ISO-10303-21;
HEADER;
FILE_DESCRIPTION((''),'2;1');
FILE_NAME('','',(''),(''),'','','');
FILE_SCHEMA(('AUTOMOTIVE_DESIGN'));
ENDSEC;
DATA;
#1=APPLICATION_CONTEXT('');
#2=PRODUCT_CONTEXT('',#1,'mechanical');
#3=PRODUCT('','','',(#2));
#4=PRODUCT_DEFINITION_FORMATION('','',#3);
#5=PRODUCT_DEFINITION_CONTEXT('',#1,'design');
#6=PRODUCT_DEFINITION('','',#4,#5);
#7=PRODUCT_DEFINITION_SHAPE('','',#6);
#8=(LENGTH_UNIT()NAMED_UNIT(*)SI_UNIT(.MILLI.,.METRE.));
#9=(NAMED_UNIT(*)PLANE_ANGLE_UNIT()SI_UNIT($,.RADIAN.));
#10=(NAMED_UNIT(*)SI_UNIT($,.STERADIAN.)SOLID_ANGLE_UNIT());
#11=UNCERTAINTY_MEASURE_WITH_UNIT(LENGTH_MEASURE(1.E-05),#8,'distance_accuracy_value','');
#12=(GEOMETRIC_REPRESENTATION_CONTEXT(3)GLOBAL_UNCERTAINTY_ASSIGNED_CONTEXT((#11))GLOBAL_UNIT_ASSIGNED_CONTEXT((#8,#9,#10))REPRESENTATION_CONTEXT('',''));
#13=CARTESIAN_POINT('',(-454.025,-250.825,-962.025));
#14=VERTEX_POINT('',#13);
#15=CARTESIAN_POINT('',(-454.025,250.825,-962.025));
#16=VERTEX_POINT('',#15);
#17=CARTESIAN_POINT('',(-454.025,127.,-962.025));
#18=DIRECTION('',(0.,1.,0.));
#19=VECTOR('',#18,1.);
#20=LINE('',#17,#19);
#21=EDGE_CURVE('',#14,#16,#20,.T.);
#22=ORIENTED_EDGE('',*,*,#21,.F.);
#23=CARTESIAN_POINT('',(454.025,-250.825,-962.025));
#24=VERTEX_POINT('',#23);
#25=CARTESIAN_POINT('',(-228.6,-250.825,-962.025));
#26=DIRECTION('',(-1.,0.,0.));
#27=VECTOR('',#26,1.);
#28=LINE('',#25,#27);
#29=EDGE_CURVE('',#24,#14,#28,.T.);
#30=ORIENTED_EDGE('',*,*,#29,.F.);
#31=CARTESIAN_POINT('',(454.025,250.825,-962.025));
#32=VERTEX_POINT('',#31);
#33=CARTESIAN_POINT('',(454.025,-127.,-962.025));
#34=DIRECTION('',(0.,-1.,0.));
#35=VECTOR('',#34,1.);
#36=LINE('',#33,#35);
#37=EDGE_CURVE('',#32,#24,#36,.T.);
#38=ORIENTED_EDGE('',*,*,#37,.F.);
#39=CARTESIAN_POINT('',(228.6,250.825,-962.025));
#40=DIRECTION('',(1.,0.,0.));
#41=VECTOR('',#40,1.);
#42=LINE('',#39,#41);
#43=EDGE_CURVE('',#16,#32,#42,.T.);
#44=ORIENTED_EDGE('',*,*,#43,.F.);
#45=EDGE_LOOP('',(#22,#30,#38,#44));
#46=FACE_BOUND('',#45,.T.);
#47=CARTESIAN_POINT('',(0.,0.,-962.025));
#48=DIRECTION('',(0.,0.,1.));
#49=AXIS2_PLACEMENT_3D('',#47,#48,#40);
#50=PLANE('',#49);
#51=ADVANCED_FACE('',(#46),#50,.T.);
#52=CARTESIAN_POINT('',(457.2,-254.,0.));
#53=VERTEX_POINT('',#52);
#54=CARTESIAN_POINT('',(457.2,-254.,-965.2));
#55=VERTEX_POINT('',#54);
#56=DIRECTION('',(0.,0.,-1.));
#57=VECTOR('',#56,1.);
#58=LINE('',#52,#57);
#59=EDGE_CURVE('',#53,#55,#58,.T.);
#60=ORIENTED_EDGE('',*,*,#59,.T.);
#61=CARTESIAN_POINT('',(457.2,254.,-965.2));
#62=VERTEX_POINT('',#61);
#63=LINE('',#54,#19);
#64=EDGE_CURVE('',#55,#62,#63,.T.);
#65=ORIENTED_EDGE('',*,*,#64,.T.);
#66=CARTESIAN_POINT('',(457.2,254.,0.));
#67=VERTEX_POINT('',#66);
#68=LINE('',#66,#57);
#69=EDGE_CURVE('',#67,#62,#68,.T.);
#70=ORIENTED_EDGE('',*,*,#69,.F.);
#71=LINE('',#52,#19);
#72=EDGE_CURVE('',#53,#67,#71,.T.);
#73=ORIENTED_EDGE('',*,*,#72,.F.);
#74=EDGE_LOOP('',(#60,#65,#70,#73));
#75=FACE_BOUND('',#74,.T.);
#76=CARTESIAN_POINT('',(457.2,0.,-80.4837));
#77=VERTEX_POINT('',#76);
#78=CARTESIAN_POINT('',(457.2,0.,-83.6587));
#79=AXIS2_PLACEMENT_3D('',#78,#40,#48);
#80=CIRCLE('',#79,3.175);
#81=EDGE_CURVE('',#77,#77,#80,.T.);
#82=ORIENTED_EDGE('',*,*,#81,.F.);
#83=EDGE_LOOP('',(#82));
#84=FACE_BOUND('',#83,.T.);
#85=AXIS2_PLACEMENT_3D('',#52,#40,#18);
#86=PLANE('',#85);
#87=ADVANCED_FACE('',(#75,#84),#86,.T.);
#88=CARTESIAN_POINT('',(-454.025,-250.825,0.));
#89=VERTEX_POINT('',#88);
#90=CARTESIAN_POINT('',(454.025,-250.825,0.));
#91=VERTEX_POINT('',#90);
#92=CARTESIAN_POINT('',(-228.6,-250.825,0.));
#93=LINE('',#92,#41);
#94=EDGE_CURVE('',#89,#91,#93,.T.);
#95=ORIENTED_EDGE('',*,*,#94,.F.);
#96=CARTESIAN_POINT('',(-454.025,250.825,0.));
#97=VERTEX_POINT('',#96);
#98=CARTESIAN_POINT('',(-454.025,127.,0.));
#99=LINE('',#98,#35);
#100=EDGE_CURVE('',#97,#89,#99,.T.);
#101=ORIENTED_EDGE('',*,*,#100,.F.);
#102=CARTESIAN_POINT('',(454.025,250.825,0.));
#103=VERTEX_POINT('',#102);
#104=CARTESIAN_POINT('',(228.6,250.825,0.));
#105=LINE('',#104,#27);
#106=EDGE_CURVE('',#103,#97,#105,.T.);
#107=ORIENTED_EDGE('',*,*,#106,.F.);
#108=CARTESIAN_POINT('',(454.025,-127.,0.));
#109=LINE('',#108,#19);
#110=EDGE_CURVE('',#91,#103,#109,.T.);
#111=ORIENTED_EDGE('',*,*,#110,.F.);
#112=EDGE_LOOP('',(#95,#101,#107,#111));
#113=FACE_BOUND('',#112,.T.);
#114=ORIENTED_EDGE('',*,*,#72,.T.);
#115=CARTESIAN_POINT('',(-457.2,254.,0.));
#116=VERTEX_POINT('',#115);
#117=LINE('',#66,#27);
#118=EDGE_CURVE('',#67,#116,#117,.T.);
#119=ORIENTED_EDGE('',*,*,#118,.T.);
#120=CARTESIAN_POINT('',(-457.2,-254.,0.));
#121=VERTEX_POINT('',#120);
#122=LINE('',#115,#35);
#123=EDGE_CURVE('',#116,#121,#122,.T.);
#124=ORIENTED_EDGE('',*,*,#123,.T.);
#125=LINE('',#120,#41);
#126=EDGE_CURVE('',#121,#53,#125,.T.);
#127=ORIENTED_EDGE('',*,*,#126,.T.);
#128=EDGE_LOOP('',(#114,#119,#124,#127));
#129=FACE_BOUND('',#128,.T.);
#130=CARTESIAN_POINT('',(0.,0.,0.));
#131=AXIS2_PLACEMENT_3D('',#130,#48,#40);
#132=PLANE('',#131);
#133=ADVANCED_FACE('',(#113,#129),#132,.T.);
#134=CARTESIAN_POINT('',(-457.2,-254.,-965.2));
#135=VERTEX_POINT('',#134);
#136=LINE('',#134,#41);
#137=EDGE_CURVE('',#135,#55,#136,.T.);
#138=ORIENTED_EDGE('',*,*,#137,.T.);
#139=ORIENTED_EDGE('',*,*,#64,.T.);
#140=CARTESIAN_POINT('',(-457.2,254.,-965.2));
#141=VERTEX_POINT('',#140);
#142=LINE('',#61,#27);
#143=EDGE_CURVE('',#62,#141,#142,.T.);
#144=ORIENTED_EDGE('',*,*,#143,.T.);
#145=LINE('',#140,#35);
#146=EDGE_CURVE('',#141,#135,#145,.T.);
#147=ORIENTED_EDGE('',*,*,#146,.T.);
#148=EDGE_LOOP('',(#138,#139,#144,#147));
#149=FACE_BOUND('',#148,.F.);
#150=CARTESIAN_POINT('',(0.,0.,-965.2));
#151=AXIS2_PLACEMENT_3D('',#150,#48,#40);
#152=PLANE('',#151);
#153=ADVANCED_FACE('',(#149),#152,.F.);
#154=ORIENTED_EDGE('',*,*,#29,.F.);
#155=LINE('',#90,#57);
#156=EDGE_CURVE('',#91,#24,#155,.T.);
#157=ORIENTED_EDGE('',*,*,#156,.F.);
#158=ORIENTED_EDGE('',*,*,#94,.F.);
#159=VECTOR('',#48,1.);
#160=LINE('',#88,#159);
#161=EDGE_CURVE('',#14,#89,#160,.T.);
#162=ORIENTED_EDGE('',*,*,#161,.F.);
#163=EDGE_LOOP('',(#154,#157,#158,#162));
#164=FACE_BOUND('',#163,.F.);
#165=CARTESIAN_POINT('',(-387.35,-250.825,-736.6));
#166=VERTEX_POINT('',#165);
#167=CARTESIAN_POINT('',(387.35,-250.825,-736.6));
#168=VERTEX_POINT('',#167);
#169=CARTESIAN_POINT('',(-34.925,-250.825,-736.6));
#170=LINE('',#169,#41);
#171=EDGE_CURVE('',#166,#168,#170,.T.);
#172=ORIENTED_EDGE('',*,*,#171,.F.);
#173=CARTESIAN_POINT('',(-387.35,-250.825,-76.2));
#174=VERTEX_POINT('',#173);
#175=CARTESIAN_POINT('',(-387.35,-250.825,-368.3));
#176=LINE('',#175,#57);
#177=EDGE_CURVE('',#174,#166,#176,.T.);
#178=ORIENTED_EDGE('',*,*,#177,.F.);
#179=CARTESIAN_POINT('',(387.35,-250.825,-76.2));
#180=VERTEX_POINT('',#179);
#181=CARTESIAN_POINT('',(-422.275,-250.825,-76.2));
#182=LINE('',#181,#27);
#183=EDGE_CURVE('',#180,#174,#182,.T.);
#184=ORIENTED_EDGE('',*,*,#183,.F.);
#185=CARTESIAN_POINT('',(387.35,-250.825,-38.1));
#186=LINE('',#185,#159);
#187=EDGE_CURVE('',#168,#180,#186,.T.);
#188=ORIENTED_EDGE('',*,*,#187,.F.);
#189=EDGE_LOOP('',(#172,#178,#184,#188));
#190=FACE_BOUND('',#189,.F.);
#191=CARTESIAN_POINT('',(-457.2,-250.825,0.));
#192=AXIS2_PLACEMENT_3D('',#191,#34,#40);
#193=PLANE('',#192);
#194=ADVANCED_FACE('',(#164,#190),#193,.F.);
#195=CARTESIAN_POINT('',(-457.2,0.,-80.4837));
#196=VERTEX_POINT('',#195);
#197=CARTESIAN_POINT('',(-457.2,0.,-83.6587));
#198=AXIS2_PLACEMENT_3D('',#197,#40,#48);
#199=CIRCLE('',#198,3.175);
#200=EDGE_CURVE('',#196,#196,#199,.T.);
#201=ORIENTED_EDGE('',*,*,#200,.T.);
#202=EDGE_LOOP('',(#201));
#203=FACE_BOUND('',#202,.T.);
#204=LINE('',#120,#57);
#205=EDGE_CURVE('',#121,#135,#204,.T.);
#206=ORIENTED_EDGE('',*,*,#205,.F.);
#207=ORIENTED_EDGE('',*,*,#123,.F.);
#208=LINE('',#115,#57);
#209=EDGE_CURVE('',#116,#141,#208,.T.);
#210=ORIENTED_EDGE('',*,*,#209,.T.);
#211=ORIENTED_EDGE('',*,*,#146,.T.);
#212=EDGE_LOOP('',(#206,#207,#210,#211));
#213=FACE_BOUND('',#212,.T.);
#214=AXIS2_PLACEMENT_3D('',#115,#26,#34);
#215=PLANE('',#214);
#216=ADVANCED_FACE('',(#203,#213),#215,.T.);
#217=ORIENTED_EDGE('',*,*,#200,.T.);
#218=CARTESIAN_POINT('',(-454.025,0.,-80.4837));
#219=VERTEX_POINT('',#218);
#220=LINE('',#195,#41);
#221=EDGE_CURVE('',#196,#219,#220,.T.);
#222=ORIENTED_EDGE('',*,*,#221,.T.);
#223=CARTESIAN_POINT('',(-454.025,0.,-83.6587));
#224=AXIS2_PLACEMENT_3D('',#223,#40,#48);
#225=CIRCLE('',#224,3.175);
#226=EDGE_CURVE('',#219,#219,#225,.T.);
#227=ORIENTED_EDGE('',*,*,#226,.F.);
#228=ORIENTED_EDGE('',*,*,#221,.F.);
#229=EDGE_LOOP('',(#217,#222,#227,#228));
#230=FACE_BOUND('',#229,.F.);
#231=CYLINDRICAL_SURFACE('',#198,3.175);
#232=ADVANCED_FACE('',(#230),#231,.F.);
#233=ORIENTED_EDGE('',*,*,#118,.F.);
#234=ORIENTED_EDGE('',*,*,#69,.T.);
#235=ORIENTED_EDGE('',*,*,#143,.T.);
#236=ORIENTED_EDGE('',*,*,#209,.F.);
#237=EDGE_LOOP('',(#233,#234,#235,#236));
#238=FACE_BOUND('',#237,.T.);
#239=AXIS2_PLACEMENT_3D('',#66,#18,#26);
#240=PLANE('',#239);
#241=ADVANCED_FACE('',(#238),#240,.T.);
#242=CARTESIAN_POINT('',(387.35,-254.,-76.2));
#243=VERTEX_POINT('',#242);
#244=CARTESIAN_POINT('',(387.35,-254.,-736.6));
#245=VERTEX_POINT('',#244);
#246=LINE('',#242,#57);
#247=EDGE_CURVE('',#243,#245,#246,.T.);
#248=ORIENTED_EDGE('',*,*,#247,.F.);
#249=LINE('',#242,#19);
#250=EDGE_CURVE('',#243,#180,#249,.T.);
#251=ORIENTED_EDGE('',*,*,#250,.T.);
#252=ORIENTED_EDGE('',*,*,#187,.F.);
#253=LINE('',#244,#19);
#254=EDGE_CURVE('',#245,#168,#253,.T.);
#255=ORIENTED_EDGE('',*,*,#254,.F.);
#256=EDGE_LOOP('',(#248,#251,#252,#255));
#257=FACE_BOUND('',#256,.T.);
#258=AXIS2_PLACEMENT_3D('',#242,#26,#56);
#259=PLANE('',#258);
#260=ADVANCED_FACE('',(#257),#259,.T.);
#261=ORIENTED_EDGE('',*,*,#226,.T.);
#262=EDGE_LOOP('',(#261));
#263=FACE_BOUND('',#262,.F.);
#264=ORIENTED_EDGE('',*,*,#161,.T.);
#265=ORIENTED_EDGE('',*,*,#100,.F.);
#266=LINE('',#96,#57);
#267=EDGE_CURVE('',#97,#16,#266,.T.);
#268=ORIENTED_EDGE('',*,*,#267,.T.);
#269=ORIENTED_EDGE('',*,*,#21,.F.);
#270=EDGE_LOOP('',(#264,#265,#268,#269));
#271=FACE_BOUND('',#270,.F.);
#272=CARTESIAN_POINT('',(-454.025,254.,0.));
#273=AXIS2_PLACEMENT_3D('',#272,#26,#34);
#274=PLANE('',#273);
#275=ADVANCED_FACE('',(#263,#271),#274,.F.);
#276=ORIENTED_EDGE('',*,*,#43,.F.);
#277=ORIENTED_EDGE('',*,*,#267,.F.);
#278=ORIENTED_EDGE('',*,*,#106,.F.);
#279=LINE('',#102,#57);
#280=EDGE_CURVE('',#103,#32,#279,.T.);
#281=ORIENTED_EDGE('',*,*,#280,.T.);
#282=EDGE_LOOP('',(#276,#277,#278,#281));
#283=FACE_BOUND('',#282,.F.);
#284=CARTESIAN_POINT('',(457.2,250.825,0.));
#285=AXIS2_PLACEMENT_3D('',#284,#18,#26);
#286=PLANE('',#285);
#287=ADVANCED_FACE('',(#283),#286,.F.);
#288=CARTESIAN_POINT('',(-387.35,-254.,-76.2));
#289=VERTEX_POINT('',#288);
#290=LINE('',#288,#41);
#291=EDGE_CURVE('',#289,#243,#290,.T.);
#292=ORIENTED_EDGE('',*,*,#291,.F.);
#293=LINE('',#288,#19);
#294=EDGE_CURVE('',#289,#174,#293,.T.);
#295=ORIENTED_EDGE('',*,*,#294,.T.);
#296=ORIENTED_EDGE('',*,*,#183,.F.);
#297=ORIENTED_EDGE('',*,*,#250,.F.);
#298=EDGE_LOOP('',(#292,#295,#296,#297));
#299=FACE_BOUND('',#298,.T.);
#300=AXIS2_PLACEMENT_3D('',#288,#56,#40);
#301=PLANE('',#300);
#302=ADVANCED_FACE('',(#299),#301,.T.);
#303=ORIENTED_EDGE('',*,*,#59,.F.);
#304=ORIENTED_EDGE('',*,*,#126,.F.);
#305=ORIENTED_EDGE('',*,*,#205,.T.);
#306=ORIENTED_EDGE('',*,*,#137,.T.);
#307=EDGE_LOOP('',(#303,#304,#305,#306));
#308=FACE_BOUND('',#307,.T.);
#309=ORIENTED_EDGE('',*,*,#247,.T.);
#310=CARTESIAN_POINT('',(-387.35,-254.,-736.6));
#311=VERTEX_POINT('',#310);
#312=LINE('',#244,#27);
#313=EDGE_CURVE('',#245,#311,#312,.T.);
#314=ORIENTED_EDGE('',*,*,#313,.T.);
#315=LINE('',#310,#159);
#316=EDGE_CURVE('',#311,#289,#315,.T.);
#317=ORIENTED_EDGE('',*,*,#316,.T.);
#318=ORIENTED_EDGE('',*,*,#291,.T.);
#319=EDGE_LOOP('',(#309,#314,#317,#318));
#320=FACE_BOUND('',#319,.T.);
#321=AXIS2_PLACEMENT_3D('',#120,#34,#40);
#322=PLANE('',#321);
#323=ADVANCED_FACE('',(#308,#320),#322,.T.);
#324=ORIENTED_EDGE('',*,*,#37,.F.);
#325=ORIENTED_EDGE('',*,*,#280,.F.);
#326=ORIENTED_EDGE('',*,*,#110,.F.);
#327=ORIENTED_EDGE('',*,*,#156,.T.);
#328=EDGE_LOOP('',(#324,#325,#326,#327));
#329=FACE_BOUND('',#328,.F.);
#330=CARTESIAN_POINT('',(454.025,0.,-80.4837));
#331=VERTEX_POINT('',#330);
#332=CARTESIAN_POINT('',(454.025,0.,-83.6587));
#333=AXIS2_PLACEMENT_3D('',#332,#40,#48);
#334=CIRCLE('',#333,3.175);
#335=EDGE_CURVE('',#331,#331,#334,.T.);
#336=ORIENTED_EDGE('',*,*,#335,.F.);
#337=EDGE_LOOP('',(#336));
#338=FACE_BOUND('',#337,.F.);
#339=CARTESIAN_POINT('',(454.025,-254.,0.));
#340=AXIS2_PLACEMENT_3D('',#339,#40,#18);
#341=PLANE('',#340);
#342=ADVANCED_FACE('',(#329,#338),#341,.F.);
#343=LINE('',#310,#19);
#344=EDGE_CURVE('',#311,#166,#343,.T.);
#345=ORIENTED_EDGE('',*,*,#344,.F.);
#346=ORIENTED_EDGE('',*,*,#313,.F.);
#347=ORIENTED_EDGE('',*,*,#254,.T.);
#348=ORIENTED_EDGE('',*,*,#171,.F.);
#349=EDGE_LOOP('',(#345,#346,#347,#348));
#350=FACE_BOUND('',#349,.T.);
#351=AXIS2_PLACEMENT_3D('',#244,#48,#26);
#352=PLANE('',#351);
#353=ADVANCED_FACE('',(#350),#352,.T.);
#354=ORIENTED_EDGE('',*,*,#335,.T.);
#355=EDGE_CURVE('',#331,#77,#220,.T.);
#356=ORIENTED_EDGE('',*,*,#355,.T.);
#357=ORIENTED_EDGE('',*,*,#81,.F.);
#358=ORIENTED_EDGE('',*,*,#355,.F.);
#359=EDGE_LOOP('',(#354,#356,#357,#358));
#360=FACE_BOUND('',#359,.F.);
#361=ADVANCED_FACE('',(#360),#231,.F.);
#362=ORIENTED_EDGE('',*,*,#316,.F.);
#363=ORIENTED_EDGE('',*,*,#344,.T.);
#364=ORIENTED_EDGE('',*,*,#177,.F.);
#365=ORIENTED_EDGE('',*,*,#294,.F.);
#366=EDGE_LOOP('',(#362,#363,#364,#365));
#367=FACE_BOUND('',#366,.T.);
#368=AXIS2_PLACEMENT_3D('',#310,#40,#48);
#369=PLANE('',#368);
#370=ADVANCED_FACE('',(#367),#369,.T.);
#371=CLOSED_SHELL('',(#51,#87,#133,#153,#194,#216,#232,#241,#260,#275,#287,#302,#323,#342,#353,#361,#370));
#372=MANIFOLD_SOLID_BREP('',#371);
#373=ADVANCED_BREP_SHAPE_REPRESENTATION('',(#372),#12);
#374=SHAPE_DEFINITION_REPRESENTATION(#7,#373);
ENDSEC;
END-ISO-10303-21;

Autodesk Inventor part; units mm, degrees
ref_plane "YZ Plane" through (0, 0, 0) normal (1, 0, 0) x (0, 1, 0)
ref_plane "XZ Plane" through (0, 0, 0) normal (0, 1, 0) x (-1, 0, 0)
ref_plane "XY Plane" through (0, 0, 0) normal (0, 0, 1) x (1, 0, 0)
sketch "Sketch1" plane through (0, 0, 0) normal (0, 0, 1) x (1, 0, 0)
  line L0 (-457.2, -254) -> (457.2, -254)
  line L1 (457.2, -254) -> (457.2, 254)
  line L2 (457.2, 254) -> (-457.2, 254)
  line L3 (-457.2, 254) -> (-457.2, -254)
  line L4 (-457.2, -254) -> (457.2, 254) construction
  line L5 (457.2, -254) -> (-457.2, 254) construction
  point P0 (0, 0)
  dimension "d0" = 914.4
  dimension "d1" = 508
extrude "Extrusion1" add sketch "Sketch1" against normal blind 965.2
shell "Shell1" thickness 3.175 removed faces 1 at (-152.4, 84.6667, 0)
sketch "Sketch2" plane through (-457.2, -254, 0) normal (0, -1, 0) x (1, 0, 0)
  line L0 (0, 0) -> (0, -965.2) projected
  line L1 (914.4, -965.2) -> (0, -965.2) projected
  line L2 (69.85, -76.2) -> (844.55, -76.2)
  line L3 (844.55, -76.2) -> (844.55, -736.6)
  line L4 (844.55, -736.6) -> (69.85, -736.6)
  line L5 (69.85, -736.6) -> (69.85, -76.2)
  point P0 (457.2, 0)
  dimension "d5" = 69.85
  dimension "d6" = 774.7
  dimension "d7" = 660.4
  dimension "d8" = 228.6
extrude "Extrusion2" cut sketch "Sketch2" against normal up to next
sketch "Sketch3" plane through (-457.2, -254, 0) normal (-1, 0, 0) x (0, 0, 1)
  point P0 (0, 254)
  point P1 (-83.6587, 254)
hole "Hole1" at (-457.2, 0, -83.6587) direction (1, 0, 0) diameter 6.35 end through all
ref_plane "Work Plane1" through (0, -254, 0) normal (1, 0, 0) x (0, 1, 0)
properties part number "box_middlegoalLOW" material "Polycarbonate, Clear"
